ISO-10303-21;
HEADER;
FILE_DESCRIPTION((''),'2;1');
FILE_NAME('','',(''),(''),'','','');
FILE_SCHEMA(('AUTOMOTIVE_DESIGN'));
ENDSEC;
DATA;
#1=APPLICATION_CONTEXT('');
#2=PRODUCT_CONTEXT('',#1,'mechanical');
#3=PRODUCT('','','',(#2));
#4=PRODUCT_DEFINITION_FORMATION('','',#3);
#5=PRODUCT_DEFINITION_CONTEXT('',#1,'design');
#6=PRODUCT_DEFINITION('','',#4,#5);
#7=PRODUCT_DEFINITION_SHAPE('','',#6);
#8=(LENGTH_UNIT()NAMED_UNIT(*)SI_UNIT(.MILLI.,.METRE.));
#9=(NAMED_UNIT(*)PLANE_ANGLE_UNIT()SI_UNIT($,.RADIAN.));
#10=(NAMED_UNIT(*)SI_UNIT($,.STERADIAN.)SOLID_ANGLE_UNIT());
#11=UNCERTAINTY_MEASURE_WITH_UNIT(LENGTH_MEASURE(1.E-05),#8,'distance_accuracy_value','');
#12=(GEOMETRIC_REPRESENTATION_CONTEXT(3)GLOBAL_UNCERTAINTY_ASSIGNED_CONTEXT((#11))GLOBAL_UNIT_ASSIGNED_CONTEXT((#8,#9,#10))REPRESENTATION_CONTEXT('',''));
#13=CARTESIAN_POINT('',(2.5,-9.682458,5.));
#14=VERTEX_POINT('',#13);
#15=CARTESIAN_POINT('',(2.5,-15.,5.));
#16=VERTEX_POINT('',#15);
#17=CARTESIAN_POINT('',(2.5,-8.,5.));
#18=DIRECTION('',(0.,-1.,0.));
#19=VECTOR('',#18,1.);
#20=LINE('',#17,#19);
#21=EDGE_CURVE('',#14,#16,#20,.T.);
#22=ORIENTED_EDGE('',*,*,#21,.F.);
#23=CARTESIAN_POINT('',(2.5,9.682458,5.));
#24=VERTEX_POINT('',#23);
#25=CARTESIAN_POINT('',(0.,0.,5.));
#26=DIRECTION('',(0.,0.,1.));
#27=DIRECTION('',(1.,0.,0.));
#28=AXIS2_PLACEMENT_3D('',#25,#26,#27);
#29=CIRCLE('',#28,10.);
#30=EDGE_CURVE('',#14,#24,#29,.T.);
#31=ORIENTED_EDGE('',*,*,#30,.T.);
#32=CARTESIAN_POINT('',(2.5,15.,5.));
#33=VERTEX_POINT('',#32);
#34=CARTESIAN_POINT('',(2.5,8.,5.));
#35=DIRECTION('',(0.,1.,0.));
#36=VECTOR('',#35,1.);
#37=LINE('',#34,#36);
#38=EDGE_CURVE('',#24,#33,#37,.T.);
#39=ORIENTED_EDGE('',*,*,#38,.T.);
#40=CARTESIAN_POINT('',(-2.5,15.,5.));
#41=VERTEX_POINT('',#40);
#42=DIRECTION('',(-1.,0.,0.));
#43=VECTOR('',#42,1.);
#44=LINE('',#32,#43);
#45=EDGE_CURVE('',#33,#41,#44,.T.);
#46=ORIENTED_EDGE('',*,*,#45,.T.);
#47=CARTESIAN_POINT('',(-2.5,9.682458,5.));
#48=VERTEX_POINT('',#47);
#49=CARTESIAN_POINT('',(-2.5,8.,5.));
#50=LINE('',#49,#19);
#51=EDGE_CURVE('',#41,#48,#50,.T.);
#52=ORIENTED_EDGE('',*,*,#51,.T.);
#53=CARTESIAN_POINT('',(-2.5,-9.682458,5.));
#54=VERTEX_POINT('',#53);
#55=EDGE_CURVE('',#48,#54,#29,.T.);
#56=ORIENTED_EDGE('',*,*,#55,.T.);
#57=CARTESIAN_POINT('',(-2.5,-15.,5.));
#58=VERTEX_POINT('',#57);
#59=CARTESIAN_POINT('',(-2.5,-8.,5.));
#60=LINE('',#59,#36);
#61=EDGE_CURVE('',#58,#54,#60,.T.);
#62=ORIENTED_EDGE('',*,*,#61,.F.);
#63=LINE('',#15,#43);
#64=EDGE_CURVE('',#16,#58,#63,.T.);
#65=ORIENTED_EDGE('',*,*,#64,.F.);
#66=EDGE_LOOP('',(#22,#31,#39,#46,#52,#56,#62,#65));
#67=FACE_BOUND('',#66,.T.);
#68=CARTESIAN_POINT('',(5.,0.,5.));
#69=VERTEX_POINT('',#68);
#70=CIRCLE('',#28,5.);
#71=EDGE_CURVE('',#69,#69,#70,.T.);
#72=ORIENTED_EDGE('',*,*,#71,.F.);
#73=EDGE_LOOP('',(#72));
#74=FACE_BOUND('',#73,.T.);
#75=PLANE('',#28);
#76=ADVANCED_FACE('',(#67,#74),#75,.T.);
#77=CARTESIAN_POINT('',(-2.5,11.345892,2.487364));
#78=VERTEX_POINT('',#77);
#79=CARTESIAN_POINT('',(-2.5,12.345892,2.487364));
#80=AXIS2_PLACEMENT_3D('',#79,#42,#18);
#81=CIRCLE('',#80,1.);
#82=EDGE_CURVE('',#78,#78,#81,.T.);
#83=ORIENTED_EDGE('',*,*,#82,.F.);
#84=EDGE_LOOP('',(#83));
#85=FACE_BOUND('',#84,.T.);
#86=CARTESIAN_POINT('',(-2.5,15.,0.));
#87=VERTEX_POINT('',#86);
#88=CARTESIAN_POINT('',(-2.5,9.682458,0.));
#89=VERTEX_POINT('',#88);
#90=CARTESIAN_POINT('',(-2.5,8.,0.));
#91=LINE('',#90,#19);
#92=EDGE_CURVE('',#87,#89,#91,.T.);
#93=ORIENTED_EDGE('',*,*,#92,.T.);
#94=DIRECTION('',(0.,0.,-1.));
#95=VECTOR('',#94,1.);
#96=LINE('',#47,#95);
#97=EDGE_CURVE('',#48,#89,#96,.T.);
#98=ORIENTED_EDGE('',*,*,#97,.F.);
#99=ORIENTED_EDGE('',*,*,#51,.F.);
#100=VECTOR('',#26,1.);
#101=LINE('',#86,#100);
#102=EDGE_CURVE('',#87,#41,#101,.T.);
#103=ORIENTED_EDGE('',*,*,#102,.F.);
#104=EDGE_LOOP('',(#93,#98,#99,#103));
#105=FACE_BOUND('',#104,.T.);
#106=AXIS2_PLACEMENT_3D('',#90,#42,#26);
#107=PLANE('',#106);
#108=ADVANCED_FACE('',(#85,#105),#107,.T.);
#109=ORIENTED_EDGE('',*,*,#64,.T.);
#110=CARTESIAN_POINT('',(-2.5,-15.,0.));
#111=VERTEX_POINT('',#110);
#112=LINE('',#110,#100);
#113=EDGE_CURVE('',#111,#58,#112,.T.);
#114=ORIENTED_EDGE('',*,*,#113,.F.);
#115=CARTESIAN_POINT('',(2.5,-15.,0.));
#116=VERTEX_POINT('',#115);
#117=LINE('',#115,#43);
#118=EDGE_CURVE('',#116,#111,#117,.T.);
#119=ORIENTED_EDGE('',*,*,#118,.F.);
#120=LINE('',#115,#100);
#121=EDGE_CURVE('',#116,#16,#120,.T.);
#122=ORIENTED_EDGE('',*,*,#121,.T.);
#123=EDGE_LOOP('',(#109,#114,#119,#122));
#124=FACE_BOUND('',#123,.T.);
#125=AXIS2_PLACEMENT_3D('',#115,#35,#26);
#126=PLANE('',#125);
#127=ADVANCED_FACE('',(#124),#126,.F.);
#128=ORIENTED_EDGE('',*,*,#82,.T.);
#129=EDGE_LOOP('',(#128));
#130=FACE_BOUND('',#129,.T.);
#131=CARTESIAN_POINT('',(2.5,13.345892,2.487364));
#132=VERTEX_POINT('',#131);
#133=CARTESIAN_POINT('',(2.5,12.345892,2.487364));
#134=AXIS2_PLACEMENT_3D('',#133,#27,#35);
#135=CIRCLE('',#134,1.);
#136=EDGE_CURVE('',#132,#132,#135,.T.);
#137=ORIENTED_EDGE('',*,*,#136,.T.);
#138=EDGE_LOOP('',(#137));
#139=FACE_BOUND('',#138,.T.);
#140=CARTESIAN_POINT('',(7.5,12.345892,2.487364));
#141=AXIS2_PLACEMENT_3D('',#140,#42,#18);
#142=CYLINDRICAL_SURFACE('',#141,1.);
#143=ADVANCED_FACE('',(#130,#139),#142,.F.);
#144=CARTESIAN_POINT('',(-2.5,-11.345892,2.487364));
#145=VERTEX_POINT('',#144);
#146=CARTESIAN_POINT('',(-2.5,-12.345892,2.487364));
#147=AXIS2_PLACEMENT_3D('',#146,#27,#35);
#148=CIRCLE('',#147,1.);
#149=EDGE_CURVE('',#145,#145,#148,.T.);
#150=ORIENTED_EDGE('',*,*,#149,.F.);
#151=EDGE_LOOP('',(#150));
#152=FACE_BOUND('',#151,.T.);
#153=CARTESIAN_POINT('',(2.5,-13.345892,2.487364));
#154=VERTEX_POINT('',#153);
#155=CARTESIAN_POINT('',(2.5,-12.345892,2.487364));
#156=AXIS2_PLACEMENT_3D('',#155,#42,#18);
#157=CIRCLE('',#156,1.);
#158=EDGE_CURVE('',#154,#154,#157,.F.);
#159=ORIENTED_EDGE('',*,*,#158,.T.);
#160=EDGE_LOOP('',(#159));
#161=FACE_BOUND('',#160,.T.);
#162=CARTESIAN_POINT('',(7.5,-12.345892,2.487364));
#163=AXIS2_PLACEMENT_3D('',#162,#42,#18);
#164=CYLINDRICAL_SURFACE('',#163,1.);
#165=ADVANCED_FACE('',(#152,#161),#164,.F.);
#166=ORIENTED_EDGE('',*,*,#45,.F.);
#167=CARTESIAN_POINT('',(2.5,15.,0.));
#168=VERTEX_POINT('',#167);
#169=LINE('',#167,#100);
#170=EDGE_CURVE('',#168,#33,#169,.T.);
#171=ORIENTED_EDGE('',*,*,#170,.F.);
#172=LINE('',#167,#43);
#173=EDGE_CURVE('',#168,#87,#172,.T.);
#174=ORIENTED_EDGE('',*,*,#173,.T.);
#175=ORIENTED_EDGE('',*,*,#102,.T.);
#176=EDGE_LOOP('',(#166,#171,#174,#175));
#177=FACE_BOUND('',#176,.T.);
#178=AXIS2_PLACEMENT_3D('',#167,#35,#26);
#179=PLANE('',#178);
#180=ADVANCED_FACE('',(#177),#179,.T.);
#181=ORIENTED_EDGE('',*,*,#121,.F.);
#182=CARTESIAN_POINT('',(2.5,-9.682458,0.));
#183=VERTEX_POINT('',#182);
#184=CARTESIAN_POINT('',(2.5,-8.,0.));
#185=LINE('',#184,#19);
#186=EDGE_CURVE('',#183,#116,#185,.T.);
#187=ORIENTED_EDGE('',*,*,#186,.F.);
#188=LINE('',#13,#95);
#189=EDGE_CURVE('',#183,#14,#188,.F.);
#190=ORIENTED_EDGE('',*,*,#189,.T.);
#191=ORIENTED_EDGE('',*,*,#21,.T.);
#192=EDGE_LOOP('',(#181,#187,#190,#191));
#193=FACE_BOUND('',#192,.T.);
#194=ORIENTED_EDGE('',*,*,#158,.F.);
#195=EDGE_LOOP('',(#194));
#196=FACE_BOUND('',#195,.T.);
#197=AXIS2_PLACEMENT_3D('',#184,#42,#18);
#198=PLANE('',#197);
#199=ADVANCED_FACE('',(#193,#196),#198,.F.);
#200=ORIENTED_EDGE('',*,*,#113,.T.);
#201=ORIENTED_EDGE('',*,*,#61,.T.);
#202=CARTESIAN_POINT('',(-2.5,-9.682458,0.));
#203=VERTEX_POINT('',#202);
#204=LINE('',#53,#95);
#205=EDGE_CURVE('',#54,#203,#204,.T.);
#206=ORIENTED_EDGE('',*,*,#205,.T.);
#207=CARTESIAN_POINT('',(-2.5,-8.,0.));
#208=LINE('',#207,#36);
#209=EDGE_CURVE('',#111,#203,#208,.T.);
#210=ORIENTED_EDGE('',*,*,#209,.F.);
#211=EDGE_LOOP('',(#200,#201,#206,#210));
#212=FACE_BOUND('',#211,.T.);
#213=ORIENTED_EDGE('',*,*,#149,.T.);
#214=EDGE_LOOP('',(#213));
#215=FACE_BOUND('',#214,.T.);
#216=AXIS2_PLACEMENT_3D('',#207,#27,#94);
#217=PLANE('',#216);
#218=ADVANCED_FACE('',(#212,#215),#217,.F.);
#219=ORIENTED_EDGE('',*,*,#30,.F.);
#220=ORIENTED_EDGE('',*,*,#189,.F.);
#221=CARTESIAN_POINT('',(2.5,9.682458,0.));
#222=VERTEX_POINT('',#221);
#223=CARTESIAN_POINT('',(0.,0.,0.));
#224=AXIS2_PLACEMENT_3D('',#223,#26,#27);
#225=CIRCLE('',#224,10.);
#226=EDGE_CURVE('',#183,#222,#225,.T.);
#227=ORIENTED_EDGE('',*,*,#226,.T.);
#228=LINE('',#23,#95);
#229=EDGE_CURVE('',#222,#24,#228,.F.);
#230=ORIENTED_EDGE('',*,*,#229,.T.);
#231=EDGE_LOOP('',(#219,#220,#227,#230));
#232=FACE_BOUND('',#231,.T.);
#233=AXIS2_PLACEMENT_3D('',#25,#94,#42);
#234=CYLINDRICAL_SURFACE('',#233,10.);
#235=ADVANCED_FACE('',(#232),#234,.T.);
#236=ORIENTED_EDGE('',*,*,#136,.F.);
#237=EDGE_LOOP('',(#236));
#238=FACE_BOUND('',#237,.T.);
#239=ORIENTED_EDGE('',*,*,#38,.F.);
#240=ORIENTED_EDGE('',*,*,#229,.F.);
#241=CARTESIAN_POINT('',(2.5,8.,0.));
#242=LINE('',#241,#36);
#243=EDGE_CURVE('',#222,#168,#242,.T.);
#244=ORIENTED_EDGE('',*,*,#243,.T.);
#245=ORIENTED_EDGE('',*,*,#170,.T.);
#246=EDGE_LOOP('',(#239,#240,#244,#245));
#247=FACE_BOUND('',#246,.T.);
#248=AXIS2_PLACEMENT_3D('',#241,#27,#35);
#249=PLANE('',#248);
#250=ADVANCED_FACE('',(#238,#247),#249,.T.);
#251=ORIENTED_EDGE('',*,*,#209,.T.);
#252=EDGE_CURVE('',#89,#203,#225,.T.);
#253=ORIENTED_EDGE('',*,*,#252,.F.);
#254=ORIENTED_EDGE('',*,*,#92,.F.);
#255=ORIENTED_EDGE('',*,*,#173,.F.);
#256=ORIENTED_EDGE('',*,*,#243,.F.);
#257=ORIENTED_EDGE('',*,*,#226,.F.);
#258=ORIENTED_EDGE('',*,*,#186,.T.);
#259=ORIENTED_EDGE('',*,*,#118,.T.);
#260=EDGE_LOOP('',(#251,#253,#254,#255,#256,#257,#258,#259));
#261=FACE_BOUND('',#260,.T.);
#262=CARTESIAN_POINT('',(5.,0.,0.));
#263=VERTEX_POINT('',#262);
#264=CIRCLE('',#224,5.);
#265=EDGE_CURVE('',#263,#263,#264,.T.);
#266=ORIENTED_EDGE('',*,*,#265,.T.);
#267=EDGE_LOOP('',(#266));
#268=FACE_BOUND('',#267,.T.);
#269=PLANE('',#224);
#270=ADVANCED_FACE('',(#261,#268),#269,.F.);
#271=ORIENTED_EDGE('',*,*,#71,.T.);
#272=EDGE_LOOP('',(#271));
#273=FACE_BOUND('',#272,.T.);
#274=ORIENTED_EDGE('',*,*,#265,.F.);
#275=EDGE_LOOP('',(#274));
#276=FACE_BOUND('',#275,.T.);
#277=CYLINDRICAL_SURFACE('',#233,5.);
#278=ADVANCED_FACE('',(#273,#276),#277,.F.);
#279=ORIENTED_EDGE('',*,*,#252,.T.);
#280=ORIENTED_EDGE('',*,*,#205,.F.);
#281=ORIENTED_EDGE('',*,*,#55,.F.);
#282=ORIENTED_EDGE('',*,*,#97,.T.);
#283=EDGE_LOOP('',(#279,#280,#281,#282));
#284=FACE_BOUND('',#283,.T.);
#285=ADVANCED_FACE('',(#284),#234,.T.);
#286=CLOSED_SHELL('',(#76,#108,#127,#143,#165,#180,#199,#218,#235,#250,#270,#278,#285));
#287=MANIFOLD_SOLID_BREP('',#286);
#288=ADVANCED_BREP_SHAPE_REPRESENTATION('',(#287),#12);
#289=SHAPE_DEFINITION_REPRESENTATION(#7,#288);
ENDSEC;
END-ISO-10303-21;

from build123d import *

# Parameters (mm, degrees)
ESQUISSE1_R             = 10
ESQUISSE1_R_2           = 5
BOSS_EXTRU_1_DEPTH      = 5
ESQUISSE2_W             = 5
ESQUISSE2_H             = 7
BOSS_EXTRU_2_DEPTH      = 5
ESQUISSE3_R             = 1
ENL_V_MAT_EXTRU_1_DEPTH = 10


with BuildPart() as part:
    # Esquisse1 → Boss.-Extru.1 (new body)
    with BuildSketch(Plane.XY):
        Circle(ESQUISSE1_R)
        Circle(ESQUISSE1_R_2, mode=Mode.SUBTRACT)
    extrude(amount=BOSS_EXTRU_1_DEPTH)

    # Esquisse2 → Boss.-Extru.2 (add)
    with BuildSketch(Plane.XY.offset(5)):
        with Locations((0, 11.5)):
            Rectangle(ESQUISSE2_W, ESQUISSE2_H)
    boss_extru_2 = extrude(amount=-BOSS_EXTRU_2_DEPTH)

    # Esquisse3 → Enlèv. mat.-Extru.1 (cut)
    with BuildSketch(Plane(origin=(-2.5, 0, 0), x_dir=(0, -1, 0), z_dir=(-1, 0, 0))):
        with Locations((-12.345891544, 2.487364075)):
            Circle(ESQUISSE3_R)
    enl_v_mat_extru_1 = extrude(amount=-ENL_V_MAT_EXTRU_1_DEPTH, mode=Mode.SUBTRACT)

    # Symétrie1: Boss.-Extru.2, Enlèv. mat.-Extru.1 across plane
    add(boss_extru_2.mirror(Plane.ZX))
    add(enl_v_mat_extru_1.mirror(Plane.ZX), mode=Mode.SUBTRACT)


solid = part.part
